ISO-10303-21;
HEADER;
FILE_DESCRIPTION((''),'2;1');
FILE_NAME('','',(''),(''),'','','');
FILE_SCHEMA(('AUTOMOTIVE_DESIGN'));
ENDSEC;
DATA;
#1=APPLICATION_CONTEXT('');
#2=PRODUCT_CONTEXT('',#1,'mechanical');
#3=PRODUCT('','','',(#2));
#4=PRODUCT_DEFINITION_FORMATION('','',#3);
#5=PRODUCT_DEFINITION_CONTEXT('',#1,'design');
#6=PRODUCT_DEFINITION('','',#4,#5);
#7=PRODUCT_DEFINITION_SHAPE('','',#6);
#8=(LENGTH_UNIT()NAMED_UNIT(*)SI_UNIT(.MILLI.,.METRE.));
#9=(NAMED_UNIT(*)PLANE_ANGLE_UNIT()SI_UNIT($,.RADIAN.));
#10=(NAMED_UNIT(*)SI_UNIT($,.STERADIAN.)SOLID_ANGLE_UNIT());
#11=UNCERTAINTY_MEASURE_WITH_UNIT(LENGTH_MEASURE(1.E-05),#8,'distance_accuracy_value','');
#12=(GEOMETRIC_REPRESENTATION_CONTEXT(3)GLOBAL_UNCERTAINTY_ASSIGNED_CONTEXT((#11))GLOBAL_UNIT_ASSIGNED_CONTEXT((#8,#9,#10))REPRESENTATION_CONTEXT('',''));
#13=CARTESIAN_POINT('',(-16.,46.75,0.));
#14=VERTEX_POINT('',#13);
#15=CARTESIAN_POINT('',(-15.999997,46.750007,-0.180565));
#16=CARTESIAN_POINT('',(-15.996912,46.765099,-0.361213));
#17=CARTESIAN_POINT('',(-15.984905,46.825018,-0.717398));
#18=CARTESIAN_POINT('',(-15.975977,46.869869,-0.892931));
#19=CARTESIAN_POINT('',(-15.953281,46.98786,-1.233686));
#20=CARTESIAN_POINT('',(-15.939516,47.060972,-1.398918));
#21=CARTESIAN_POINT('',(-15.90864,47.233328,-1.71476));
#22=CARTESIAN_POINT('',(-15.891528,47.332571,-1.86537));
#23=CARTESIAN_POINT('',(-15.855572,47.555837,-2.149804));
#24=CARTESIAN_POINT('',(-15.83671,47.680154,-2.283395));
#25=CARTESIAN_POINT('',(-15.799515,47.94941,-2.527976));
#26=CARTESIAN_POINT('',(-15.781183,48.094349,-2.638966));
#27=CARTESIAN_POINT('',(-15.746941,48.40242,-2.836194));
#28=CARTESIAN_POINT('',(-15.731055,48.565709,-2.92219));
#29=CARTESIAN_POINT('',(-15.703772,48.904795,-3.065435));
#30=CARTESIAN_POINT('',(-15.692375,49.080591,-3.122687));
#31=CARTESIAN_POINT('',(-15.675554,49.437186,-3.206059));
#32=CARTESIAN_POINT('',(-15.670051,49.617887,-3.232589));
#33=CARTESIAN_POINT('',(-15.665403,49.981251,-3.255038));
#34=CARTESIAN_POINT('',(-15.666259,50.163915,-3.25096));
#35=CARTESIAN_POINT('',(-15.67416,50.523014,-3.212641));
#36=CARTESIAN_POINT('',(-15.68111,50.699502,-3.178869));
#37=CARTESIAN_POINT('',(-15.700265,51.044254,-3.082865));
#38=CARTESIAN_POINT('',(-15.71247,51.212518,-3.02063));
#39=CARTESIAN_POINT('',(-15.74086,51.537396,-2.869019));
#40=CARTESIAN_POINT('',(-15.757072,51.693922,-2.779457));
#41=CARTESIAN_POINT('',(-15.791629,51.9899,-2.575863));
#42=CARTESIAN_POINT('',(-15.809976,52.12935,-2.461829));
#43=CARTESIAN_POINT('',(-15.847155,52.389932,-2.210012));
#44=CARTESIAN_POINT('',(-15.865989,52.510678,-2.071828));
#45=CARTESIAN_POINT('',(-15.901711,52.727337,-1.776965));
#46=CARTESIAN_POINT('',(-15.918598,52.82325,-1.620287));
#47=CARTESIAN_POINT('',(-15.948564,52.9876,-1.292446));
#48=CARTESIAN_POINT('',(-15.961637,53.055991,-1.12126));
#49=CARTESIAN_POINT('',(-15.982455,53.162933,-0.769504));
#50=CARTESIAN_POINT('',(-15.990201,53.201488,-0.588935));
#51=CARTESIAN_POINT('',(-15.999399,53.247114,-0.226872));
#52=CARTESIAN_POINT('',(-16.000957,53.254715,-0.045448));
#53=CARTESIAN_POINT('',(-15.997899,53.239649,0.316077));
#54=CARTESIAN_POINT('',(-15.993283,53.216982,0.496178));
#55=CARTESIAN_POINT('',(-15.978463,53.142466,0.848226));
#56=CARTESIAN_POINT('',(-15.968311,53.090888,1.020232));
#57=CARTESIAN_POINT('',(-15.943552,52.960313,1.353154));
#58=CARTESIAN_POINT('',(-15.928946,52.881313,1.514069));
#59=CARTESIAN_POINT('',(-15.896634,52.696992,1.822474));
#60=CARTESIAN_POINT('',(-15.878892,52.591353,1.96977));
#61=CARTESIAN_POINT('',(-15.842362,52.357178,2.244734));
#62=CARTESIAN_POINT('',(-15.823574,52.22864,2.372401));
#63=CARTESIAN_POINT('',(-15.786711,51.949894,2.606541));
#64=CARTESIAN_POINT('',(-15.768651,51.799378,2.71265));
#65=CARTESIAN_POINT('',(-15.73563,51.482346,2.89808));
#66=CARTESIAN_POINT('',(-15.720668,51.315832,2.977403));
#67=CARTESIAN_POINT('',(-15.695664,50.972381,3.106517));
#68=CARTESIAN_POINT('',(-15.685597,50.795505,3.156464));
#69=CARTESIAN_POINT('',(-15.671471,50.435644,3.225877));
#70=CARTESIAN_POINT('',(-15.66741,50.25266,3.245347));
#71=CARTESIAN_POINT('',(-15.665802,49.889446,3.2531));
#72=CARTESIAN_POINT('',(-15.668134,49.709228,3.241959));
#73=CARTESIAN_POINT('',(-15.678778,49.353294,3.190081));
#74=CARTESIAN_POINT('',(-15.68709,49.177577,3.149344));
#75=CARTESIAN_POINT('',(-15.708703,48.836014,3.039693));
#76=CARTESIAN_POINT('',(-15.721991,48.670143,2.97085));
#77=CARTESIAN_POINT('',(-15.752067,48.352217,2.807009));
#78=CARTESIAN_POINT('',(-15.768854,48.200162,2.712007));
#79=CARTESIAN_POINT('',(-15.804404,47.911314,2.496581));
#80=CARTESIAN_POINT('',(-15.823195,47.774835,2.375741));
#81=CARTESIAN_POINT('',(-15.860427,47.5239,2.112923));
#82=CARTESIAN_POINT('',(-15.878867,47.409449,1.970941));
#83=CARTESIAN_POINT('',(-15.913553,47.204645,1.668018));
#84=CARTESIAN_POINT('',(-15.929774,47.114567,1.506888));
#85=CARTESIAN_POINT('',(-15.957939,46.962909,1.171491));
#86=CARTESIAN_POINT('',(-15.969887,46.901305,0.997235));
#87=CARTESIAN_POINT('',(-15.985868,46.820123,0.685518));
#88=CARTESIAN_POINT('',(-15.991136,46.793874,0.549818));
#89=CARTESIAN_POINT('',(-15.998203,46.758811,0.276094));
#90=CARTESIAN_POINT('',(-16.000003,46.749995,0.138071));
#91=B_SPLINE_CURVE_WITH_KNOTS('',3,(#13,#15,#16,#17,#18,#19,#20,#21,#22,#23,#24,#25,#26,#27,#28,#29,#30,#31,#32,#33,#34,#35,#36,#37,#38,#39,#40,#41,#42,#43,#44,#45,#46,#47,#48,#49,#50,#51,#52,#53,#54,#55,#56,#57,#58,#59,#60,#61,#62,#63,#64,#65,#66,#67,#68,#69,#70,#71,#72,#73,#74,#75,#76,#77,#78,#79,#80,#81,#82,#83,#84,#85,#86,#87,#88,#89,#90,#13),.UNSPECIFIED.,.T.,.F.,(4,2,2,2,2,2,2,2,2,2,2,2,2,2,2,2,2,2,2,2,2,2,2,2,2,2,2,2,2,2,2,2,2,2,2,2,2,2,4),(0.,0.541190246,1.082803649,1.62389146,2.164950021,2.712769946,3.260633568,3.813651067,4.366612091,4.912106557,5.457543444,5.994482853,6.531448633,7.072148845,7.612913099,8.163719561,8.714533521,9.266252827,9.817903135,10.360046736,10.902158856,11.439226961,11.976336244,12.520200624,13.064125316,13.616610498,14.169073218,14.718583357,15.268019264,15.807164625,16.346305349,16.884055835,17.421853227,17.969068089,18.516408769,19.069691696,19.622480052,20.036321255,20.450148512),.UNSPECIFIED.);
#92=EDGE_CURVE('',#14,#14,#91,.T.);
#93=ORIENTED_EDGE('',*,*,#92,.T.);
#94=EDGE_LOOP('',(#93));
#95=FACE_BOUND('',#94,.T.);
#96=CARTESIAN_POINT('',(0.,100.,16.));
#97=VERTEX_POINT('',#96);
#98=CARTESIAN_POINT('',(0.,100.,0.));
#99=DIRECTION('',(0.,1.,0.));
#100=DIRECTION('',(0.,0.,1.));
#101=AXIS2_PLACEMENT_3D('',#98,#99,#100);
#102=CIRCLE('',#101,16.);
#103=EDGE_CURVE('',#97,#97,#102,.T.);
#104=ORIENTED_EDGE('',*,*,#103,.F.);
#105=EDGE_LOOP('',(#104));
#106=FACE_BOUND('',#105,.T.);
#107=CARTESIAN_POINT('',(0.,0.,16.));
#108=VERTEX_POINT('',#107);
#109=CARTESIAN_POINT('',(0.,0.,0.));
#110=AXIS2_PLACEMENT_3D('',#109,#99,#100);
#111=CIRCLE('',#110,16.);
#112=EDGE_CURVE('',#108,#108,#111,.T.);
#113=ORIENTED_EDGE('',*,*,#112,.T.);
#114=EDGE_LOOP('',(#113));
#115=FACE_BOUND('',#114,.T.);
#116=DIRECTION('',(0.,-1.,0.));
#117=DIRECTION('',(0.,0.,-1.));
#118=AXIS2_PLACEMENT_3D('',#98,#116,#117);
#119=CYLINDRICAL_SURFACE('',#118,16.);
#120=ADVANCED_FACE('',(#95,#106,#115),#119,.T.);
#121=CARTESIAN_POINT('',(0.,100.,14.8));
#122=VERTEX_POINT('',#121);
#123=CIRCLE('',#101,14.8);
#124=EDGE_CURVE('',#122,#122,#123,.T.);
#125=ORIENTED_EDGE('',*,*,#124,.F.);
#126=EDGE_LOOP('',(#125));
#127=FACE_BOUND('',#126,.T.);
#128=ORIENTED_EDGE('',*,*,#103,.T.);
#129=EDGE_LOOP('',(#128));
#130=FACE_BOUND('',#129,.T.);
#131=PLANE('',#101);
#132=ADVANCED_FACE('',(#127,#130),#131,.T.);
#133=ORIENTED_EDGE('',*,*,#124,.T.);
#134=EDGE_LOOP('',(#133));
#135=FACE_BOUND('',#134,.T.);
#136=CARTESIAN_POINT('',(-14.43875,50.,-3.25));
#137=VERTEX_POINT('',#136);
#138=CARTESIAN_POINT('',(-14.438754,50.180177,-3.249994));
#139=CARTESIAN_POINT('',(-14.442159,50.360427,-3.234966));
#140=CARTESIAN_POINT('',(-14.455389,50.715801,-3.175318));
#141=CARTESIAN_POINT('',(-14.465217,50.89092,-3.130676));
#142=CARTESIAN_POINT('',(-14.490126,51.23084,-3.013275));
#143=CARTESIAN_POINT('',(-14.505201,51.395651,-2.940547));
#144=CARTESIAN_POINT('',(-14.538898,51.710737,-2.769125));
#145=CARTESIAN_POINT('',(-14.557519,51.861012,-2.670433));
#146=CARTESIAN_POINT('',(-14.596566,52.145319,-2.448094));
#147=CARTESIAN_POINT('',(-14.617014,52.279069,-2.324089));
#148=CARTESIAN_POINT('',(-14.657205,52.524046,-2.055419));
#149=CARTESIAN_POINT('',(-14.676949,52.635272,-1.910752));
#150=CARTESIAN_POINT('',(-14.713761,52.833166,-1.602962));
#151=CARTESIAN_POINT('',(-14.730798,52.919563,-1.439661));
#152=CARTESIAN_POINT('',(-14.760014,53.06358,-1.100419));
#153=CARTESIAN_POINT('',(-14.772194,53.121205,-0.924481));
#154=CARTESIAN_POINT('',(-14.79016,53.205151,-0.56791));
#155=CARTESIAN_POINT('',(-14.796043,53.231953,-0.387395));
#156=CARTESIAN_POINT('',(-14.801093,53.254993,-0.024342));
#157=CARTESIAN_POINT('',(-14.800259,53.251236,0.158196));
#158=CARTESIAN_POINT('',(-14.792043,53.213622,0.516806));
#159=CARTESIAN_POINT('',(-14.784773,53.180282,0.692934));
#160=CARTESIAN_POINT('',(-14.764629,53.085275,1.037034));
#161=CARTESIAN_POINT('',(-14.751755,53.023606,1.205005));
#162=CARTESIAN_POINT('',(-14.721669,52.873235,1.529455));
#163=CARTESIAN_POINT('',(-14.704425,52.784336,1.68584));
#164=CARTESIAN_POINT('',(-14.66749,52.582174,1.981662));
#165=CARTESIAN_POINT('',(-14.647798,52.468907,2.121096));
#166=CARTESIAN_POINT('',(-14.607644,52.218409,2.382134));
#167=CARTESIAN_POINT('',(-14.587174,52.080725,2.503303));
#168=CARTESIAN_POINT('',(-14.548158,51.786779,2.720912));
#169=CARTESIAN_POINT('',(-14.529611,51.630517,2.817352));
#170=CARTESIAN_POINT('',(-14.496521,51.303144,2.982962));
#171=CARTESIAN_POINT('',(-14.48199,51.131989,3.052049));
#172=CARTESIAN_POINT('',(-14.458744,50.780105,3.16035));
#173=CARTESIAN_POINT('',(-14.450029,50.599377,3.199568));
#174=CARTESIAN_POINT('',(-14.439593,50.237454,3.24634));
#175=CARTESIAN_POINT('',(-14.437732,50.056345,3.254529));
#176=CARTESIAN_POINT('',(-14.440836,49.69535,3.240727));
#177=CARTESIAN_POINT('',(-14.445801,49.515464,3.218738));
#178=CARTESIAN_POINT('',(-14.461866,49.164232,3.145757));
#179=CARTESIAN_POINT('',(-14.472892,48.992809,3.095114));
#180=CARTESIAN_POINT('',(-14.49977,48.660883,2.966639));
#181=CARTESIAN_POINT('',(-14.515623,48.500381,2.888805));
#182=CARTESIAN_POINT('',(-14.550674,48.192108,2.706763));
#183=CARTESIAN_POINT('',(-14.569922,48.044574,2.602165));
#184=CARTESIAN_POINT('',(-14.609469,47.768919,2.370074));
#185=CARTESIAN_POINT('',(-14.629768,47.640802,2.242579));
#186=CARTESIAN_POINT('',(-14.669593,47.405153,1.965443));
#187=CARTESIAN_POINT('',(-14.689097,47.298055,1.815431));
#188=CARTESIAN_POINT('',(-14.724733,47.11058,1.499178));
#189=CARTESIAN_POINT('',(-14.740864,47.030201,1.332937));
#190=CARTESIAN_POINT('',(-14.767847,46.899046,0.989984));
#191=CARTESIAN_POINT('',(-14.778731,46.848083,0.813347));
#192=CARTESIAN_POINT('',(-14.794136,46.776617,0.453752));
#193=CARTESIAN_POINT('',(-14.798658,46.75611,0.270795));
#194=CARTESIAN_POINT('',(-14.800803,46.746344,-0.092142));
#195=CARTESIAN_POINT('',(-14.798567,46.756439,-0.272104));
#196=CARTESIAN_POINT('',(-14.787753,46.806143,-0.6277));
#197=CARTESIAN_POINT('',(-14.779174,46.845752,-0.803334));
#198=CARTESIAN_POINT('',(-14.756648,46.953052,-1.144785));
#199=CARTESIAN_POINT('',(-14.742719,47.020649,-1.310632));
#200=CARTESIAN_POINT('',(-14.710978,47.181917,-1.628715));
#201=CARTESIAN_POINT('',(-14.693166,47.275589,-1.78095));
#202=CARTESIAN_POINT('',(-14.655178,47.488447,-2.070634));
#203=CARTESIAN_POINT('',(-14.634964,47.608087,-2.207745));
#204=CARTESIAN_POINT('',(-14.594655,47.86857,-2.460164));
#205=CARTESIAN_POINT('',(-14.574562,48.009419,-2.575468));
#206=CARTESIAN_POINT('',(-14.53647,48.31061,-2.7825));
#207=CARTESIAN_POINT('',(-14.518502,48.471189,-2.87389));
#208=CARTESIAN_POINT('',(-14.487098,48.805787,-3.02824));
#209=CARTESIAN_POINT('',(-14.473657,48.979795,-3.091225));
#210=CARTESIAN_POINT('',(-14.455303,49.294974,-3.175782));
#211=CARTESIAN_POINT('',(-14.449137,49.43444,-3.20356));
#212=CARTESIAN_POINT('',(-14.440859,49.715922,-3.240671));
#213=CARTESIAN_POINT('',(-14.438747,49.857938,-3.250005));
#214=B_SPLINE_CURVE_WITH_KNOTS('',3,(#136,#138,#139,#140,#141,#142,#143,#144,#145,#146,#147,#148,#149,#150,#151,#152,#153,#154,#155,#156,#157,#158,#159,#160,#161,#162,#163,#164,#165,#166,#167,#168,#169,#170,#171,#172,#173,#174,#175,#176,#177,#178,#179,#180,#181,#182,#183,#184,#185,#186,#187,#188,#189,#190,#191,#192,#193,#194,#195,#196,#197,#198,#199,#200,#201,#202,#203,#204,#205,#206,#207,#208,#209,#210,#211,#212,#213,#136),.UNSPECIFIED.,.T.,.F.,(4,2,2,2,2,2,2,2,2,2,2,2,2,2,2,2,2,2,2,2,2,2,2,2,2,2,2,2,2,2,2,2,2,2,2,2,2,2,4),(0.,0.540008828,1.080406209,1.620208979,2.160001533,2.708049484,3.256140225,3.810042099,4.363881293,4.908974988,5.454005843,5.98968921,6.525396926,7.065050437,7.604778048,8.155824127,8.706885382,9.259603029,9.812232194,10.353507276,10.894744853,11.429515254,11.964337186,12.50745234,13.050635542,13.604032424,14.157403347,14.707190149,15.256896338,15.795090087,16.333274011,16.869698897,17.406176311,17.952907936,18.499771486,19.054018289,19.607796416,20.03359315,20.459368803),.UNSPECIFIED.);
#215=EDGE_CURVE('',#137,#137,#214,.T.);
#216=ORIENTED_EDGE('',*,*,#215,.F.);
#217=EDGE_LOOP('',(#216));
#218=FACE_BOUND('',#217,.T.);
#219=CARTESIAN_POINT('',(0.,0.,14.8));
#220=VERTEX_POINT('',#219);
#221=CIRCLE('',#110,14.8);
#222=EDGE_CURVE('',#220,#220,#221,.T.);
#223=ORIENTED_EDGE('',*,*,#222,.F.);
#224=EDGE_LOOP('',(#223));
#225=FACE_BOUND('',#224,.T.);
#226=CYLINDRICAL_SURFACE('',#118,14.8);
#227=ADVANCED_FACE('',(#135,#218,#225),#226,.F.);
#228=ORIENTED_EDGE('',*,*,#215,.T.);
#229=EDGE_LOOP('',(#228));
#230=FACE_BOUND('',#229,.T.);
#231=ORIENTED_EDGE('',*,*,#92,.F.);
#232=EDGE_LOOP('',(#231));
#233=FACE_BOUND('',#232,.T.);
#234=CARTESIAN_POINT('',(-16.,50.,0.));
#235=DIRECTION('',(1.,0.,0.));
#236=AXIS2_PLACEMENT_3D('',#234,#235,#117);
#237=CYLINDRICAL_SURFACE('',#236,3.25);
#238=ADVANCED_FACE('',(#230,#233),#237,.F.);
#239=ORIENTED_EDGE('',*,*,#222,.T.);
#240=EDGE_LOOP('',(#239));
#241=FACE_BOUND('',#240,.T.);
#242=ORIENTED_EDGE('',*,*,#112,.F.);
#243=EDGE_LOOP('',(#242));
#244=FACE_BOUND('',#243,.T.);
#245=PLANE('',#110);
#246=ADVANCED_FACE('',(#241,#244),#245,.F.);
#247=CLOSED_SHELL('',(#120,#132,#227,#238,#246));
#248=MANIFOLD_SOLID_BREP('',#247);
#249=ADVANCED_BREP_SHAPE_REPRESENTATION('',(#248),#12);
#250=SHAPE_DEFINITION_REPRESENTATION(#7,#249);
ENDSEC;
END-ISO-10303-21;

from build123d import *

# Parameters (mm, degrees)
SKETCH1_R           = 16
SKETCH1_R_2         = 14.8
BOSS_EXTRUDE1_DEPTH = 100
SKETCH2_R           = 3.25
CUT_EXTRUDE1_DEPTH  = 103.528044944


with BuildPart() as part:
    # Sketch1 → Boss-Extrude1 (new body)
    with BuildSketch(Plane(origin=(0, 0, 0), x_dir=(1, 0, 0), z_dir=(0, 1, 0))):
        with Locations(Location((0, 0, 0), (0, 0, 270))):
            Circle(SKETCH1_R)
        with Locations(Location((0, 0, 0), (0, 0, 270))):
            Circle(SKETCH1_R_2, mode=Mode.SUBTRACT)
    extrude(amount=BOSS_EXTRUDE1_DEPTH)

    # Sketch2 → Cut-Extrude1 (cut, through all)
    with BuildSketch(Plane(origin=(0, 0, 0), x_dir=(0, 0, -1), z_dir=(1, 0, 0))):
        with Locations((0, 50)):
            Circle(SKETCH2_R)
    extrude(amount=-CUT_EXTRUDE1_DEPTH, mode=Mode.SUBTRACT)


solid = part.part
